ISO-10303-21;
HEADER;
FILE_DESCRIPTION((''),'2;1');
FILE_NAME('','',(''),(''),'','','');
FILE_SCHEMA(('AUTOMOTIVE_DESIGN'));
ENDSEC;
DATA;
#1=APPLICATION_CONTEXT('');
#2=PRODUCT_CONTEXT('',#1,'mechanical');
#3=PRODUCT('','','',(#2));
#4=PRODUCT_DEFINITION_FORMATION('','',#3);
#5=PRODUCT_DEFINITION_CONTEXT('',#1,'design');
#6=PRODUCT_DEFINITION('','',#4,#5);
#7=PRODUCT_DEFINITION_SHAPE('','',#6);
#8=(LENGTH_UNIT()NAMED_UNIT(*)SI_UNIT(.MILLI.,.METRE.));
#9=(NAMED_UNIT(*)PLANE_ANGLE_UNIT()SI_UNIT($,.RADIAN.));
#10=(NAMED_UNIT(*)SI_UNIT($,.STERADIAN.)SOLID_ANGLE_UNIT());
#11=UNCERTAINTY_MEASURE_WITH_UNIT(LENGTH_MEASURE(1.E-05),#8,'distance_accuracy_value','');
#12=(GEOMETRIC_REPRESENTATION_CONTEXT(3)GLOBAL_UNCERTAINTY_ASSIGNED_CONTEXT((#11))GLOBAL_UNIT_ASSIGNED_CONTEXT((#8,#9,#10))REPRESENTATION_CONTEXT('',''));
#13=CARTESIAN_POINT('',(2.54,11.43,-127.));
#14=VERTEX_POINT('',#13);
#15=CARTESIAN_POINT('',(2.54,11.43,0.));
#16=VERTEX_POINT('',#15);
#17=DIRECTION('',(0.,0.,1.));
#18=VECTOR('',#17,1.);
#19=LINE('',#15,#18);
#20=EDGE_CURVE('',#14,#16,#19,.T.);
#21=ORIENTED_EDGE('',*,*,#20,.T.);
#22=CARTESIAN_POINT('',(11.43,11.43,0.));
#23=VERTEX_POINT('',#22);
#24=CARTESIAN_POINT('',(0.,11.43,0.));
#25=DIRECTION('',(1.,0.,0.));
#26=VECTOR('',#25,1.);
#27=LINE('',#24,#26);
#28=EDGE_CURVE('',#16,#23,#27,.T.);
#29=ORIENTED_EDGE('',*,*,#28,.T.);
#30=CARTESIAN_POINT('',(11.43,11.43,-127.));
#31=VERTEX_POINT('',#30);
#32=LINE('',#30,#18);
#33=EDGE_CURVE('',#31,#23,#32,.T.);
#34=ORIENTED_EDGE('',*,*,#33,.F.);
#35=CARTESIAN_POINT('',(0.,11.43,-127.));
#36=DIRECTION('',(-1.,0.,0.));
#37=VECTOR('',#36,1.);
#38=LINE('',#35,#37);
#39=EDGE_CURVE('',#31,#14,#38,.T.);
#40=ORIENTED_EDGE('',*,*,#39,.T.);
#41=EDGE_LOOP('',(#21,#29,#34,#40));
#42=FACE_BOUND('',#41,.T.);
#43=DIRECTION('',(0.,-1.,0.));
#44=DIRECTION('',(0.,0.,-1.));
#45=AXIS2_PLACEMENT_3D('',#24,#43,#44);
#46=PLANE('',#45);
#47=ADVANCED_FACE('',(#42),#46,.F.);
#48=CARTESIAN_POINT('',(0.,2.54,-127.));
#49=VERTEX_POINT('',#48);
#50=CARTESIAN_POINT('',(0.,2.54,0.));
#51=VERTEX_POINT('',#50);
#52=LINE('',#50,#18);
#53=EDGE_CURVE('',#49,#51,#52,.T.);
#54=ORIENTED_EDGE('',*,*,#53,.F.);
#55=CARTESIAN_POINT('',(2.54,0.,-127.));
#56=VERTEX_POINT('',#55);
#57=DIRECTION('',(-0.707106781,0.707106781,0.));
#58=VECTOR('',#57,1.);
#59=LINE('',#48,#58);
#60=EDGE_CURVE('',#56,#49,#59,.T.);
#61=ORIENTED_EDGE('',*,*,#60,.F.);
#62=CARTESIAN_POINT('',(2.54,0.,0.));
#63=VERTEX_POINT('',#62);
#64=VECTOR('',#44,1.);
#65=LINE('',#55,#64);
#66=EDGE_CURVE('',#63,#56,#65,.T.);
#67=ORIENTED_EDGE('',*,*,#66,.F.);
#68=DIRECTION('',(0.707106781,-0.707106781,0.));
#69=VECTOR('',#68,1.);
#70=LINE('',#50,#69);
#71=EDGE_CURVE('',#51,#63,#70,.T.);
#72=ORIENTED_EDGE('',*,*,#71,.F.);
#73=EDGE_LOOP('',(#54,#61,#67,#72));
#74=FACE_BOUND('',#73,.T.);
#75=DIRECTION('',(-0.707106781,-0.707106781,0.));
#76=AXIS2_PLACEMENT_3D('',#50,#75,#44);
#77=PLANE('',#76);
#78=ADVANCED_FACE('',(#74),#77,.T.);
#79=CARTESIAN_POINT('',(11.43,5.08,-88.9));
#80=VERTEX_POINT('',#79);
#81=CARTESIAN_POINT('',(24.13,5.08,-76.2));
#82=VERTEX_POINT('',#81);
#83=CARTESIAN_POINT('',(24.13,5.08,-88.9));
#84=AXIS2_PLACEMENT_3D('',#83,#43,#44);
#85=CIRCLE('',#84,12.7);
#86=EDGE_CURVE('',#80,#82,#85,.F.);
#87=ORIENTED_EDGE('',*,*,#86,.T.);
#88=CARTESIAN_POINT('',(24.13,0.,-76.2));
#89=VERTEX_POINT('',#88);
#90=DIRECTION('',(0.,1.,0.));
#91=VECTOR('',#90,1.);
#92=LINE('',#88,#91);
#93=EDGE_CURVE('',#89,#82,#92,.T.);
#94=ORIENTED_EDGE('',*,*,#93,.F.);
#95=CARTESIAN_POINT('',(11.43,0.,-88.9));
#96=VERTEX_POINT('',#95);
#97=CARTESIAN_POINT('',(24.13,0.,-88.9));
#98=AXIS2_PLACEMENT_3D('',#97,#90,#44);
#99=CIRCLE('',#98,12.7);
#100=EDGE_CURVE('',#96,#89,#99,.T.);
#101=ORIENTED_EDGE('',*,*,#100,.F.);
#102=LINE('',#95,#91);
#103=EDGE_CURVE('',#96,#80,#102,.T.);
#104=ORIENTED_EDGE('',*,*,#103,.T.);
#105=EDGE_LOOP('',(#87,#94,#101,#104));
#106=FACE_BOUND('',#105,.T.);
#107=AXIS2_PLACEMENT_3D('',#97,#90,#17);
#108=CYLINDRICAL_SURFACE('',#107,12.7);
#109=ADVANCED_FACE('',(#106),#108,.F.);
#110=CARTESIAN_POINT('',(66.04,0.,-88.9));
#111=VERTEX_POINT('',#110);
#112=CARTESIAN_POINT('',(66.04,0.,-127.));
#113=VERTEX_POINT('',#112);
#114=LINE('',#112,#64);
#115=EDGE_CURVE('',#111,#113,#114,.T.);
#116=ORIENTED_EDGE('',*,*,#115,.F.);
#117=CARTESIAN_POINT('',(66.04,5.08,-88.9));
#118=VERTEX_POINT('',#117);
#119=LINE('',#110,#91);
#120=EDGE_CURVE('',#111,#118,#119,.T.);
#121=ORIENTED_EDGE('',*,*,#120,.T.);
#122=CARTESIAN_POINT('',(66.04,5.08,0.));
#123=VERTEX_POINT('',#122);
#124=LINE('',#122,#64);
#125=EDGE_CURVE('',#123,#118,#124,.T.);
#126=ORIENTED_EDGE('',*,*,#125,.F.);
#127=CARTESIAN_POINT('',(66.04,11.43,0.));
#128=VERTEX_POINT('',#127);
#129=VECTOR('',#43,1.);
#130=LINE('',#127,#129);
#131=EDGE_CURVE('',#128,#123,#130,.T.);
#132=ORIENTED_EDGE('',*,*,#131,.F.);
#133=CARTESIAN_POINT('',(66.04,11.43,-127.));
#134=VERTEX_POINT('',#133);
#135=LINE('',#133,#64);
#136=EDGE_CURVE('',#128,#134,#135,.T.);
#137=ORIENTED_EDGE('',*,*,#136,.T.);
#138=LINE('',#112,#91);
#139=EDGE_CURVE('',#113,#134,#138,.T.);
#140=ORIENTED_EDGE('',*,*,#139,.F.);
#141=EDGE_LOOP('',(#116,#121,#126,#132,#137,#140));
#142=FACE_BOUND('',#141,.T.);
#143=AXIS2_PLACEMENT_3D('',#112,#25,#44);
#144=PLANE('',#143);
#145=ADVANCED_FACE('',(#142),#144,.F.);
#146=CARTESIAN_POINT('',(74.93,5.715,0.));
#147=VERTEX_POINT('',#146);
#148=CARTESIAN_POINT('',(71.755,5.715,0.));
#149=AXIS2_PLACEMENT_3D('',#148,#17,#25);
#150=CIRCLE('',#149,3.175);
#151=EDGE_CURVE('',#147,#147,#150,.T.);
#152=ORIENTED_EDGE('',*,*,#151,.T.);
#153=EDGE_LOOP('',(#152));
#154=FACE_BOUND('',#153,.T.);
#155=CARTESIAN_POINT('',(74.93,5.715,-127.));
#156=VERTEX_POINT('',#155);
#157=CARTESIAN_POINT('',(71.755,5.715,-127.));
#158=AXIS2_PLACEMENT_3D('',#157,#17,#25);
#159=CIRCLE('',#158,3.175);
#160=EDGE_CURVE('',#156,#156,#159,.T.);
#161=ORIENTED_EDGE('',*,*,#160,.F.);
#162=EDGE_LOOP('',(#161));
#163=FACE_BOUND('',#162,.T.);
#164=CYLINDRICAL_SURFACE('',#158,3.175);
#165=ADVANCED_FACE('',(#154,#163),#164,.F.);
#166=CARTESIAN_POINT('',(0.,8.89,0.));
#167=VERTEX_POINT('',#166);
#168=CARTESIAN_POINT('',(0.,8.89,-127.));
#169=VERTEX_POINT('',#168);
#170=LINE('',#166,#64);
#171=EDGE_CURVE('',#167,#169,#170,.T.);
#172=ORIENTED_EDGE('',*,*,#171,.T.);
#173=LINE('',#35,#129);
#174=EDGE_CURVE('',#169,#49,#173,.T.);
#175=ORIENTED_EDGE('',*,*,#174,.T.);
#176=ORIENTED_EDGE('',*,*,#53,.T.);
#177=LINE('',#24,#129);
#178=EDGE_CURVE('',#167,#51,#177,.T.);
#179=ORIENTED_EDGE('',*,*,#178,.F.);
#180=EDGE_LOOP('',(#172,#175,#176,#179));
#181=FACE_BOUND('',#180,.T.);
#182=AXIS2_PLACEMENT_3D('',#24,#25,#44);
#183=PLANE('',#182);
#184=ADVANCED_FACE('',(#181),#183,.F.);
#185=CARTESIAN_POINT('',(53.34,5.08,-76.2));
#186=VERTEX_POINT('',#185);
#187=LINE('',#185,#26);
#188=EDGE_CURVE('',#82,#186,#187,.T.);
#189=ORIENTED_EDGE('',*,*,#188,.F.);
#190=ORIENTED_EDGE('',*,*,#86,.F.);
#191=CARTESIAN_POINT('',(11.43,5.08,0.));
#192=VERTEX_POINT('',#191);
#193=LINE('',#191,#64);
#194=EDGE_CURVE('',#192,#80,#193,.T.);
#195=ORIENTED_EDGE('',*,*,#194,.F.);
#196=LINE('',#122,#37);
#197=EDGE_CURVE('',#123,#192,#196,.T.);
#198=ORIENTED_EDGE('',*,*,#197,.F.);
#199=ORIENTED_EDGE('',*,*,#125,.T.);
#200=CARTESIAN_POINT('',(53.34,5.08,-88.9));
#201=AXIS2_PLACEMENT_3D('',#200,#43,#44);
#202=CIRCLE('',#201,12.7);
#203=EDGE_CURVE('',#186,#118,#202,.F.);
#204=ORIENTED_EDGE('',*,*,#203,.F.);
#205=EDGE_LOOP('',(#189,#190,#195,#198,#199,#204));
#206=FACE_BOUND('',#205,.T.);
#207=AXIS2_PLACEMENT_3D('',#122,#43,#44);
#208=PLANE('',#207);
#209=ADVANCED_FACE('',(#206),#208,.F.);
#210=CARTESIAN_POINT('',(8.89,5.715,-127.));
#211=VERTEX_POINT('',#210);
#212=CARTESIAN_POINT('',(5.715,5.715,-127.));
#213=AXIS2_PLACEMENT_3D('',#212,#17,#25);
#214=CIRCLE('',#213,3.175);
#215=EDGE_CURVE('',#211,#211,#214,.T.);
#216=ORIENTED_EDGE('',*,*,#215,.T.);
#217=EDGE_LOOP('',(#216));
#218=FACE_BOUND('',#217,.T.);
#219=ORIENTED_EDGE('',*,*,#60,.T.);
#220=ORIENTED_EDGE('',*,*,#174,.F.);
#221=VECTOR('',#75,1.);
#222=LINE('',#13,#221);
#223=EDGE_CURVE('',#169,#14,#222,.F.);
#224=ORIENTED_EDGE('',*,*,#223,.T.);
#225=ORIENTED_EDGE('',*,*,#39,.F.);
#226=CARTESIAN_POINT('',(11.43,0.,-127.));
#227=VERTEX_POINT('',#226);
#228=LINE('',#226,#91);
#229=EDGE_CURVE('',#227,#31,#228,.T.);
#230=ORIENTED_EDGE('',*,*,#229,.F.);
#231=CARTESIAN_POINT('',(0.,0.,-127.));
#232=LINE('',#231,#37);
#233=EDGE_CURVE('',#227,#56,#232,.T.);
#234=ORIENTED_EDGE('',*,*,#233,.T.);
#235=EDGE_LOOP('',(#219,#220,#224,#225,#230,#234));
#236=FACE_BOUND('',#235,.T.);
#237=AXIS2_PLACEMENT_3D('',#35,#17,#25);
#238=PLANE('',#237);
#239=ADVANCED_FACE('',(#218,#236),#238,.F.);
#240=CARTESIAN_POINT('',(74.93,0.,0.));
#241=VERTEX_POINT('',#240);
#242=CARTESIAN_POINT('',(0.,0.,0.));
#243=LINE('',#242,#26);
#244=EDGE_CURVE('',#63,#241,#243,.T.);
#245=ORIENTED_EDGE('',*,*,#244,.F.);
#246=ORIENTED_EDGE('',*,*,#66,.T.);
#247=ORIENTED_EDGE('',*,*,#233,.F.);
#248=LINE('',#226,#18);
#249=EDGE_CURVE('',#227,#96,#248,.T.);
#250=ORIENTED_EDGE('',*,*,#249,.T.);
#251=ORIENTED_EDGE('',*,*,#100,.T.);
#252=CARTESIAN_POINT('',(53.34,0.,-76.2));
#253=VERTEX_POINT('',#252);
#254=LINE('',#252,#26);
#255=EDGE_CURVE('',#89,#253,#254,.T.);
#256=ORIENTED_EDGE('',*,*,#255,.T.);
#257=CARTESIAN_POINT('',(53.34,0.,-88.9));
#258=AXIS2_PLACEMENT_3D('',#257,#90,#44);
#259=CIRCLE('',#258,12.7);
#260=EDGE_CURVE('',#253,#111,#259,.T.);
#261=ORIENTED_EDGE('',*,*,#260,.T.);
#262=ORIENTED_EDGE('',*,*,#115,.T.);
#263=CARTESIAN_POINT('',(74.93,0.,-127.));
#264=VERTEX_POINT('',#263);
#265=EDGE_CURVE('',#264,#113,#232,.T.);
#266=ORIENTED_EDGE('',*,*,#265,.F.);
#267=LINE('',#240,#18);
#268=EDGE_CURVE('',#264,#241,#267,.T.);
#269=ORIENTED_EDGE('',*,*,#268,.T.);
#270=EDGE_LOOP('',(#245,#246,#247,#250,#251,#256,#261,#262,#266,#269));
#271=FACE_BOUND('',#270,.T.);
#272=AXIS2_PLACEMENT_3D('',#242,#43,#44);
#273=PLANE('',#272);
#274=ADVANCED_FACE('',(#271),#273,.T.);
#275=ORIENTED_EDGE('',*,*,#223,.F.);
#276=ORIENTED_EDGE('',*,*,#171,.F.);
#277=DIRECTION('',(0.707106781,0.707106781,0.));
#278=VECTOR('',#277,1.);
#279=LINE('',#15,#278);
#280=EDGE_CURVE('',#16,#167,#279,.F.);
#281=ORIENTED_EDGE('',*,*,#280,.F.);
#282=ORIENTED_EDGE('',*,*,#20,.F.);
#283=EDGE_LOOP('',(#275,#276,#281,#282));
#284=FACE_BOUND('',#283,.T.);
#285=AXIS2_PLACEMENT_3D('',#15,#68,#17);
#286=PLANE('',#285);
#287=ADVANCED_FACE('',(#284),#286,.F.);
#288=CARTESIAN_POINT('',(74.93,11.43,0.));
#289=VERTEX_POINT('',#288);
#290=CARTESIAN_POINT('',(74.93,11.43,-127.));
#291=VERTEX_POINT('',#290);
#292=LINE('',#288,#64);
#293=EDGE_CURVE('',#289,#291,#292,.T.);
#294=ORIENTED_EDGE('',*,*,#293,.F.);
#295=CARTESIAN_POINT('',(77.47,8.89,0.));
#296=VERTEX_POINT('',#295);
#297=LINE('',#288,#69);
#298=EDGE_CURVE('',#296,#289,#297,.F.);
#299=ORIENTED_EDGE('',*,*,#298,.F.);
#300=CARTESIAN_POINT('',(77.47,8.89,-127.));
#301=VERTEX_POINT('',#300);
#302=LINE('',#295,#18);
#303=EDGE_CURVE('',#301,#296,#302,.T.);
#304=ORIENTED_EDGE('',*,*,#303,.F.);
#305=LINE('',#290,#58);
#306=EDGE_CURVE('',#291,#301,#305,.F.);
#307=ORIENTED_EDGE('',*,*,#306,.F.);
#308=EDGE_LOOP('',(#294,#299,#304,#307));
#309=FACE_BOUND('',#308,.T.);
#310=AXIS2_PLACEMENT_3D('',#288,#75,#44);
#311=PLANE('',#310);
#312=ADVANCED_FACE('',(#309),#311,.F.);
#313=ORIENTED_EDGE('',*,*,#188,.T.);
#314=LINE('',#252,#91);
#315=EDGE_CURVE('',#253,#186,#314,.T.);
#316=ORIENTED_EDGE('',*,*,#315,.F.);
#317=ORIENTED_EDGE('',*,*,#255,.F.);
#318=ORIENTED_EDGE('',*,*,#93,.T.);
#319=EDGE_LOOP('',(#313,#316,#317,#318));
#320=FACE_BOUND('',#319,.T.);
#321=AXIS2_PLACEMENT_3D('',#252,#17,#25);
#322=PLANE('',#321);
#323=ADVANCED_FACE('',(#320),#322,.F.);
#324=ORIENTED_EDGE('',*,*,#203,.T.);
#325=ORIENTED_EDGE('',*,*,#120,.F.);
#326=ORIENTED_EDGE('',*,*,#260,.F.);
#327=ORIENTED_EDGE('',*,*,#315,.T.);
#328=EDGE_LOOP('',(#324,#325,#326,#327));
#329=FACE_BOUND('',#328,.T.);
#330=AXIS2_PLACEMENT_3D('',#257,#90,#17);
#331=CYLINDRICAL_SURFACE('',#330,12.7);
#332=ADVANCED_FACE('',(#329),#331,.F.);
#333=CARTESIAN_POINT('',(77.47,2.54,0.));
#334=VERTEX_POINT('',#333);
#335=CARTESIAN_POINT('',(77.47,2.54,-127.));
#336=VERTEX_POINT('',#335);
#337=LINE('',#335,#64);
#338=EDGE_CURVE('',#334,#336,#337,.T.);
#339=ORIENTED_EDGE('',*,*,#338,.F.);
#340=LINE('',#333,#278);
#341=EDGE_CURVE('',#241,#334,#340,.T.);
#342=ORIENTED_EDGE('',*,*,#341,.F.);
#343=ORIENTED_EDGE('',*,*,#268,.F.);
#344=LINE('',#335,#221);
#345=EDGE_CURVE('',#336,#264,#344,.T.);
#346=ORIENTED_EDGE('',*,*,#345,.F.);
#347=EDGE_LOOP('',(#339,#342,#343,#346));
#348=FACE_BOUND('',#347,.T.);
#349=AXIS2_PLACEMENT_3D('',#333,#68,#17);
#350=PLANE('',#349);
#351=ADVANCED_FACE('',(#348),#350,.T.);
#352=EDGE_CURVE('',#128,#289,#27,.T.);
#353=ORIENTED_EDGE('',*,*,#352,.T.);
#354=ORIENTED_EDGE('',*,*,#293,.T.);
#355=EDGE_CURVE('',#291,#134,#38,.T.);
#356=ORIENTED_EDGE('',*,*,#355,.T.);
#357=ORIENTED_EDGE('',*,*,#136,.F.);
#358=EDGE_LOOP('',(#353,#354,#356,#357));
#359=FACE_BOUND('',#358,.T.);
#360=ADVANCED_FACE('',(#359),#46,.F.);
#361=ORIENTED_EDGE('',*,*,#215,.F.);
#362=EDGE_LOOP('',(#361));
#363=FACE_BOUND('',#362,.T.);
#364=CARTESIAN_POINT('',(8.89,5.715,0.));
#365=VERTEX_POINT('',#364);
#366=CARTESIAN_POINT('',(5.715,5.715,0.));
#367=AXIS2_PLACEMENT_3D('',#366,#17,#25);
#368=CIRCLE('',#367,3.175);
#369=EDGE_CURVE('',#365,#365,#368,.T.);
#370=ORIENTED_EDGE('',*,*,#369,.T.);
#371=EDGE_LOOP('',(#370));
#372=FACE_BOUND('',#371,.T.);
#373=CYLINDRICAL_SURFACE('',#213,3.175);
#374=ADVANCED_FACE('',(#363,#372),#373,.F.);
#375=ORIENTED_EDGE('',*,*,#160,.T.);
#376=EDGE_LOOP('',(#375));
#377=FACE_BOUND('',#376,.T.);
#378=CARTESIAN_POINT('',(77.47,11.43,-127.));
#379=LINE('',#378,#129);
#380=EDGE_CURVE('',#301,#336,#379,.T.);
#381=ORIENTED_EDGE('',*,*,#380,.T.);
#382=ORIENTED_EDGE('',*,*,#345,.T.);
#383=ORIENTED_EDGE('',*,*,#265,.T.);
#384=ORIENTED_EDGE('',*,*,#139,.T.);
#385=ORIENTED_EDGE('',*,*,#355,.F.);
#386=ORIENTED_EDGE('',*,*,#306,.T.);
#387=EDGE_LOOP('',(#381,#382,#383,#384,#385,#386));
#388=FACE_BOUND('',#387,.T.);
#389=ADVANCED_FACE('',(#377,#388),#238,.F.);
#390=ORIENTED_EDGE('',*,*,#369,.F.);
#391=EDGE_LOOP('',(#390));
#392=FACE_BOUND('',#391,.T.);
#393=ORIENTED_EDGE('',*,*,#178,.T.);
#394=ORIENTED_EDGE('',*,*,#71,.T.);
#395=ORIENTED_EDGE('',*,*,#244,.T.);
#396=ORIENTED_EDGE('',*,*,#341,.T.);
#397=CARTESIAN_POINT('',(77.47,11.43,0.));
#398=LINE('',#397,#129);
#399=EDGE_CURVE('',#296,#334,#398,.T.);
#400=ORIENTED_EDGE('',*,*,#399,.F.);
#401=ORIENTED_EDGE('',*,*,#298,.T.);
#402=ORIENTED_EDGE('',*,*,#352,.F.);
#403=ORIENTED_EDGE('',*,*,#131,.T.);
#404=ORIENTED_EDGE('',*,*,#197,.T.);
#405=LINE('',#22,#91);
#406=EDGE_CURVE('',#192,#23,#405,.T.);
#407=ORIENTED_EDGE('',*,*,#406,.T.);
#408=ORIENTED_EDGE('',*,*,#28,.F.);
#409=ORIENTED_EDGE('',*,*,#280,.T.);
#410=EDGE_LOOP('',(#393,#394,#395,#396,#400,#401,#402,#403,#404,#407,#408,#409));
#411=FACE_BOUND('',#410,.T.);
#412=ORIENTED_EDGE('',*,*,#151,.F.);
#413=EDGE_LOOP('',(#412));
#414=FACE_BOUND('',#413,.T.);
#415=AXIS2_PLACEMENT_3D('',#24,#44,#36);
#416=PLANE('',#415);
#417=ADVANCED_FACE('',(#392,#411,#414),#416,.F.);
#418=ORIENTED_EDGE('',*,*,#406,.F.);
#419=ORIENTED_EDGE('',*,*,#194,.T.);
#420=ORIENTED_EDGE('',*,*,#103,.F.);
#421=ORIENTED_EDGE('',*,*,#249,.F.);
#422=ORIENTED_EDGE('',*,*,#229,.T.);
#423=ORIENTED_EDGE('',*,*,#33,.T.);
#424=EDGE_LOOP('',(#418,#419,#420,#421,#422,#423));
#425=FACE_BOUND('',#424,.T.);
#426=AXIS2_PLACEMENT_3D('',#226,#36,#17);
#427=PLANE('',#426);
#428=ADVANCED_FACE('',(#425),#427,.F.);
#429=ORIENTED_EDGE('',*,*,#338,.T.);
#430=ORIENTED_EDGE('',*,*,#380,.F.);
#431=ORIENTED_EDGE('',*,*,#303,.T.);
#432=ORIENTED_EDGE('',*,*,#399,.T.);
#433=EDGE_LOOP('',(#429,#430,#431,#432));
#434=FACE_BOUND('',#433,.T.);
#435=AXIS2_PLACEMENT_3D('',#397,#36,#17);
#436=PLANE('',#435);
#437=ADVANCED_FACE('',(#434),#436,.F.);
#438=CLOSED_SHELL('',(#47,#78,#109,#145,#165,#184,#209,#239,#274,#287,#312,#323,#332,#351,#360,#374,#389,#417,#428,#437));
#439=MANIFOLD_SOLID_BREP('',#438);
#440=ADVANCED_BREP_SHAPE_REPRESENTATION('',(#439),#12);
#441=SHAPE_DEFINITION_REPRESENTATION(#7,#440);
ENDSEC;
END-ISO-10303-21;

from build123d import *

# Parameters (mm, degrees)
SKETCH1_W           = 77.47
SKETCH1_H           = 127
BOSS_EXTRUDE1_DEPTH = 11.43
SKETCH2_R           = 3.175
CUT_EXTRUDE1_DEPTH  = 128
CUT_EXTRUDE2_DEPTH  = 12.43
SKETCH4_W           = 54.61
SKETCH4_H           = 6.35
CUT_EXTRUDE3_DEPTH  = 128
CHAMFER1_SIZE       = 2.54


with BuildPart() as part:
    # Sketch1 → Boss-Extrude1 (new body)
    with BuildSketch(Plane(origin=(0, 0, 0), x_dir=(1, 0, 0), z_dir=(0, 1, 0))):
        with Locations((38.735, 63.5)):
            Rectangle(SKETCH1_W, SKETCH1_H)
    extrude(amount=BOSS_EXTRUDE1_DEPTH)

    # Sketch2 → Cut-Extrude1 (cut, through all)
    with BuildSketch(Plane.XY):
        with Locations((5.715, 5.715)):
            Circle(SKETCH2_R)
        with Locations((71.755, 5.715)):
            Circle(SKETCH2_R)
    extrude(amount=-CUT_EXTRUDE1_DEPTH, mode=Mode.SUBTRACT)

    # Sketch3 → Cut-Extrude2 (cut, through all)
    with BuildSketch(Plane(origin=(0, 11.43, 0), x_dir=(1, 0, 0), z_dir=(0, 1, 0))):
        with BuildLine():
            Line((11.43, 127), (11.43, 88.9))
            ThreePointArc((11.43, 88.9), (15.149743879, 79.919743879), (24.13, 76.2))
            Line((24.13, 76.2), (53.34, 76.2))
            ThreePointArc((53.34, 76.2), (62.320256121, 79.919743879), (66.04, 88.9))
            Line((66.04, 88.9), (66.04, 127))
            Line((66.04, 127), (11.43, 127))
        make_face()
    extrude(amount=-CUT_EXTRUDE2_DEPTH, mode=Mode.SUBTRACT)

    # Sketch4 → Cut-Extrude3 (cut, through all)
    with BuildSketch(Plane(origin=(0, 0, -127), x_dir=(-1, 0, 0), z_dir=(0, 0, -1))):
        with Locations((-38.735, 8.255)):
            Rectangle(SKETCH4_W, SKETCH4_H)
    extrude(amount=-CUT_EXTRUDE3_DEPTH, mode=Mode.SUBTRACT)

    # Chamfer1
    chamfer1_edges = [part.edges().sort_by_distance(p)[0] for p in [
        (77.47, 11.43, -63.5),
        (0, 11.43, -63.5),
        (77.47, 0, -63.5),
        (0, 0, -63.5),
    ]]
    chamfer(chamfer1_edges, length=CHAMFER1_SIZE)


solid = part.part
